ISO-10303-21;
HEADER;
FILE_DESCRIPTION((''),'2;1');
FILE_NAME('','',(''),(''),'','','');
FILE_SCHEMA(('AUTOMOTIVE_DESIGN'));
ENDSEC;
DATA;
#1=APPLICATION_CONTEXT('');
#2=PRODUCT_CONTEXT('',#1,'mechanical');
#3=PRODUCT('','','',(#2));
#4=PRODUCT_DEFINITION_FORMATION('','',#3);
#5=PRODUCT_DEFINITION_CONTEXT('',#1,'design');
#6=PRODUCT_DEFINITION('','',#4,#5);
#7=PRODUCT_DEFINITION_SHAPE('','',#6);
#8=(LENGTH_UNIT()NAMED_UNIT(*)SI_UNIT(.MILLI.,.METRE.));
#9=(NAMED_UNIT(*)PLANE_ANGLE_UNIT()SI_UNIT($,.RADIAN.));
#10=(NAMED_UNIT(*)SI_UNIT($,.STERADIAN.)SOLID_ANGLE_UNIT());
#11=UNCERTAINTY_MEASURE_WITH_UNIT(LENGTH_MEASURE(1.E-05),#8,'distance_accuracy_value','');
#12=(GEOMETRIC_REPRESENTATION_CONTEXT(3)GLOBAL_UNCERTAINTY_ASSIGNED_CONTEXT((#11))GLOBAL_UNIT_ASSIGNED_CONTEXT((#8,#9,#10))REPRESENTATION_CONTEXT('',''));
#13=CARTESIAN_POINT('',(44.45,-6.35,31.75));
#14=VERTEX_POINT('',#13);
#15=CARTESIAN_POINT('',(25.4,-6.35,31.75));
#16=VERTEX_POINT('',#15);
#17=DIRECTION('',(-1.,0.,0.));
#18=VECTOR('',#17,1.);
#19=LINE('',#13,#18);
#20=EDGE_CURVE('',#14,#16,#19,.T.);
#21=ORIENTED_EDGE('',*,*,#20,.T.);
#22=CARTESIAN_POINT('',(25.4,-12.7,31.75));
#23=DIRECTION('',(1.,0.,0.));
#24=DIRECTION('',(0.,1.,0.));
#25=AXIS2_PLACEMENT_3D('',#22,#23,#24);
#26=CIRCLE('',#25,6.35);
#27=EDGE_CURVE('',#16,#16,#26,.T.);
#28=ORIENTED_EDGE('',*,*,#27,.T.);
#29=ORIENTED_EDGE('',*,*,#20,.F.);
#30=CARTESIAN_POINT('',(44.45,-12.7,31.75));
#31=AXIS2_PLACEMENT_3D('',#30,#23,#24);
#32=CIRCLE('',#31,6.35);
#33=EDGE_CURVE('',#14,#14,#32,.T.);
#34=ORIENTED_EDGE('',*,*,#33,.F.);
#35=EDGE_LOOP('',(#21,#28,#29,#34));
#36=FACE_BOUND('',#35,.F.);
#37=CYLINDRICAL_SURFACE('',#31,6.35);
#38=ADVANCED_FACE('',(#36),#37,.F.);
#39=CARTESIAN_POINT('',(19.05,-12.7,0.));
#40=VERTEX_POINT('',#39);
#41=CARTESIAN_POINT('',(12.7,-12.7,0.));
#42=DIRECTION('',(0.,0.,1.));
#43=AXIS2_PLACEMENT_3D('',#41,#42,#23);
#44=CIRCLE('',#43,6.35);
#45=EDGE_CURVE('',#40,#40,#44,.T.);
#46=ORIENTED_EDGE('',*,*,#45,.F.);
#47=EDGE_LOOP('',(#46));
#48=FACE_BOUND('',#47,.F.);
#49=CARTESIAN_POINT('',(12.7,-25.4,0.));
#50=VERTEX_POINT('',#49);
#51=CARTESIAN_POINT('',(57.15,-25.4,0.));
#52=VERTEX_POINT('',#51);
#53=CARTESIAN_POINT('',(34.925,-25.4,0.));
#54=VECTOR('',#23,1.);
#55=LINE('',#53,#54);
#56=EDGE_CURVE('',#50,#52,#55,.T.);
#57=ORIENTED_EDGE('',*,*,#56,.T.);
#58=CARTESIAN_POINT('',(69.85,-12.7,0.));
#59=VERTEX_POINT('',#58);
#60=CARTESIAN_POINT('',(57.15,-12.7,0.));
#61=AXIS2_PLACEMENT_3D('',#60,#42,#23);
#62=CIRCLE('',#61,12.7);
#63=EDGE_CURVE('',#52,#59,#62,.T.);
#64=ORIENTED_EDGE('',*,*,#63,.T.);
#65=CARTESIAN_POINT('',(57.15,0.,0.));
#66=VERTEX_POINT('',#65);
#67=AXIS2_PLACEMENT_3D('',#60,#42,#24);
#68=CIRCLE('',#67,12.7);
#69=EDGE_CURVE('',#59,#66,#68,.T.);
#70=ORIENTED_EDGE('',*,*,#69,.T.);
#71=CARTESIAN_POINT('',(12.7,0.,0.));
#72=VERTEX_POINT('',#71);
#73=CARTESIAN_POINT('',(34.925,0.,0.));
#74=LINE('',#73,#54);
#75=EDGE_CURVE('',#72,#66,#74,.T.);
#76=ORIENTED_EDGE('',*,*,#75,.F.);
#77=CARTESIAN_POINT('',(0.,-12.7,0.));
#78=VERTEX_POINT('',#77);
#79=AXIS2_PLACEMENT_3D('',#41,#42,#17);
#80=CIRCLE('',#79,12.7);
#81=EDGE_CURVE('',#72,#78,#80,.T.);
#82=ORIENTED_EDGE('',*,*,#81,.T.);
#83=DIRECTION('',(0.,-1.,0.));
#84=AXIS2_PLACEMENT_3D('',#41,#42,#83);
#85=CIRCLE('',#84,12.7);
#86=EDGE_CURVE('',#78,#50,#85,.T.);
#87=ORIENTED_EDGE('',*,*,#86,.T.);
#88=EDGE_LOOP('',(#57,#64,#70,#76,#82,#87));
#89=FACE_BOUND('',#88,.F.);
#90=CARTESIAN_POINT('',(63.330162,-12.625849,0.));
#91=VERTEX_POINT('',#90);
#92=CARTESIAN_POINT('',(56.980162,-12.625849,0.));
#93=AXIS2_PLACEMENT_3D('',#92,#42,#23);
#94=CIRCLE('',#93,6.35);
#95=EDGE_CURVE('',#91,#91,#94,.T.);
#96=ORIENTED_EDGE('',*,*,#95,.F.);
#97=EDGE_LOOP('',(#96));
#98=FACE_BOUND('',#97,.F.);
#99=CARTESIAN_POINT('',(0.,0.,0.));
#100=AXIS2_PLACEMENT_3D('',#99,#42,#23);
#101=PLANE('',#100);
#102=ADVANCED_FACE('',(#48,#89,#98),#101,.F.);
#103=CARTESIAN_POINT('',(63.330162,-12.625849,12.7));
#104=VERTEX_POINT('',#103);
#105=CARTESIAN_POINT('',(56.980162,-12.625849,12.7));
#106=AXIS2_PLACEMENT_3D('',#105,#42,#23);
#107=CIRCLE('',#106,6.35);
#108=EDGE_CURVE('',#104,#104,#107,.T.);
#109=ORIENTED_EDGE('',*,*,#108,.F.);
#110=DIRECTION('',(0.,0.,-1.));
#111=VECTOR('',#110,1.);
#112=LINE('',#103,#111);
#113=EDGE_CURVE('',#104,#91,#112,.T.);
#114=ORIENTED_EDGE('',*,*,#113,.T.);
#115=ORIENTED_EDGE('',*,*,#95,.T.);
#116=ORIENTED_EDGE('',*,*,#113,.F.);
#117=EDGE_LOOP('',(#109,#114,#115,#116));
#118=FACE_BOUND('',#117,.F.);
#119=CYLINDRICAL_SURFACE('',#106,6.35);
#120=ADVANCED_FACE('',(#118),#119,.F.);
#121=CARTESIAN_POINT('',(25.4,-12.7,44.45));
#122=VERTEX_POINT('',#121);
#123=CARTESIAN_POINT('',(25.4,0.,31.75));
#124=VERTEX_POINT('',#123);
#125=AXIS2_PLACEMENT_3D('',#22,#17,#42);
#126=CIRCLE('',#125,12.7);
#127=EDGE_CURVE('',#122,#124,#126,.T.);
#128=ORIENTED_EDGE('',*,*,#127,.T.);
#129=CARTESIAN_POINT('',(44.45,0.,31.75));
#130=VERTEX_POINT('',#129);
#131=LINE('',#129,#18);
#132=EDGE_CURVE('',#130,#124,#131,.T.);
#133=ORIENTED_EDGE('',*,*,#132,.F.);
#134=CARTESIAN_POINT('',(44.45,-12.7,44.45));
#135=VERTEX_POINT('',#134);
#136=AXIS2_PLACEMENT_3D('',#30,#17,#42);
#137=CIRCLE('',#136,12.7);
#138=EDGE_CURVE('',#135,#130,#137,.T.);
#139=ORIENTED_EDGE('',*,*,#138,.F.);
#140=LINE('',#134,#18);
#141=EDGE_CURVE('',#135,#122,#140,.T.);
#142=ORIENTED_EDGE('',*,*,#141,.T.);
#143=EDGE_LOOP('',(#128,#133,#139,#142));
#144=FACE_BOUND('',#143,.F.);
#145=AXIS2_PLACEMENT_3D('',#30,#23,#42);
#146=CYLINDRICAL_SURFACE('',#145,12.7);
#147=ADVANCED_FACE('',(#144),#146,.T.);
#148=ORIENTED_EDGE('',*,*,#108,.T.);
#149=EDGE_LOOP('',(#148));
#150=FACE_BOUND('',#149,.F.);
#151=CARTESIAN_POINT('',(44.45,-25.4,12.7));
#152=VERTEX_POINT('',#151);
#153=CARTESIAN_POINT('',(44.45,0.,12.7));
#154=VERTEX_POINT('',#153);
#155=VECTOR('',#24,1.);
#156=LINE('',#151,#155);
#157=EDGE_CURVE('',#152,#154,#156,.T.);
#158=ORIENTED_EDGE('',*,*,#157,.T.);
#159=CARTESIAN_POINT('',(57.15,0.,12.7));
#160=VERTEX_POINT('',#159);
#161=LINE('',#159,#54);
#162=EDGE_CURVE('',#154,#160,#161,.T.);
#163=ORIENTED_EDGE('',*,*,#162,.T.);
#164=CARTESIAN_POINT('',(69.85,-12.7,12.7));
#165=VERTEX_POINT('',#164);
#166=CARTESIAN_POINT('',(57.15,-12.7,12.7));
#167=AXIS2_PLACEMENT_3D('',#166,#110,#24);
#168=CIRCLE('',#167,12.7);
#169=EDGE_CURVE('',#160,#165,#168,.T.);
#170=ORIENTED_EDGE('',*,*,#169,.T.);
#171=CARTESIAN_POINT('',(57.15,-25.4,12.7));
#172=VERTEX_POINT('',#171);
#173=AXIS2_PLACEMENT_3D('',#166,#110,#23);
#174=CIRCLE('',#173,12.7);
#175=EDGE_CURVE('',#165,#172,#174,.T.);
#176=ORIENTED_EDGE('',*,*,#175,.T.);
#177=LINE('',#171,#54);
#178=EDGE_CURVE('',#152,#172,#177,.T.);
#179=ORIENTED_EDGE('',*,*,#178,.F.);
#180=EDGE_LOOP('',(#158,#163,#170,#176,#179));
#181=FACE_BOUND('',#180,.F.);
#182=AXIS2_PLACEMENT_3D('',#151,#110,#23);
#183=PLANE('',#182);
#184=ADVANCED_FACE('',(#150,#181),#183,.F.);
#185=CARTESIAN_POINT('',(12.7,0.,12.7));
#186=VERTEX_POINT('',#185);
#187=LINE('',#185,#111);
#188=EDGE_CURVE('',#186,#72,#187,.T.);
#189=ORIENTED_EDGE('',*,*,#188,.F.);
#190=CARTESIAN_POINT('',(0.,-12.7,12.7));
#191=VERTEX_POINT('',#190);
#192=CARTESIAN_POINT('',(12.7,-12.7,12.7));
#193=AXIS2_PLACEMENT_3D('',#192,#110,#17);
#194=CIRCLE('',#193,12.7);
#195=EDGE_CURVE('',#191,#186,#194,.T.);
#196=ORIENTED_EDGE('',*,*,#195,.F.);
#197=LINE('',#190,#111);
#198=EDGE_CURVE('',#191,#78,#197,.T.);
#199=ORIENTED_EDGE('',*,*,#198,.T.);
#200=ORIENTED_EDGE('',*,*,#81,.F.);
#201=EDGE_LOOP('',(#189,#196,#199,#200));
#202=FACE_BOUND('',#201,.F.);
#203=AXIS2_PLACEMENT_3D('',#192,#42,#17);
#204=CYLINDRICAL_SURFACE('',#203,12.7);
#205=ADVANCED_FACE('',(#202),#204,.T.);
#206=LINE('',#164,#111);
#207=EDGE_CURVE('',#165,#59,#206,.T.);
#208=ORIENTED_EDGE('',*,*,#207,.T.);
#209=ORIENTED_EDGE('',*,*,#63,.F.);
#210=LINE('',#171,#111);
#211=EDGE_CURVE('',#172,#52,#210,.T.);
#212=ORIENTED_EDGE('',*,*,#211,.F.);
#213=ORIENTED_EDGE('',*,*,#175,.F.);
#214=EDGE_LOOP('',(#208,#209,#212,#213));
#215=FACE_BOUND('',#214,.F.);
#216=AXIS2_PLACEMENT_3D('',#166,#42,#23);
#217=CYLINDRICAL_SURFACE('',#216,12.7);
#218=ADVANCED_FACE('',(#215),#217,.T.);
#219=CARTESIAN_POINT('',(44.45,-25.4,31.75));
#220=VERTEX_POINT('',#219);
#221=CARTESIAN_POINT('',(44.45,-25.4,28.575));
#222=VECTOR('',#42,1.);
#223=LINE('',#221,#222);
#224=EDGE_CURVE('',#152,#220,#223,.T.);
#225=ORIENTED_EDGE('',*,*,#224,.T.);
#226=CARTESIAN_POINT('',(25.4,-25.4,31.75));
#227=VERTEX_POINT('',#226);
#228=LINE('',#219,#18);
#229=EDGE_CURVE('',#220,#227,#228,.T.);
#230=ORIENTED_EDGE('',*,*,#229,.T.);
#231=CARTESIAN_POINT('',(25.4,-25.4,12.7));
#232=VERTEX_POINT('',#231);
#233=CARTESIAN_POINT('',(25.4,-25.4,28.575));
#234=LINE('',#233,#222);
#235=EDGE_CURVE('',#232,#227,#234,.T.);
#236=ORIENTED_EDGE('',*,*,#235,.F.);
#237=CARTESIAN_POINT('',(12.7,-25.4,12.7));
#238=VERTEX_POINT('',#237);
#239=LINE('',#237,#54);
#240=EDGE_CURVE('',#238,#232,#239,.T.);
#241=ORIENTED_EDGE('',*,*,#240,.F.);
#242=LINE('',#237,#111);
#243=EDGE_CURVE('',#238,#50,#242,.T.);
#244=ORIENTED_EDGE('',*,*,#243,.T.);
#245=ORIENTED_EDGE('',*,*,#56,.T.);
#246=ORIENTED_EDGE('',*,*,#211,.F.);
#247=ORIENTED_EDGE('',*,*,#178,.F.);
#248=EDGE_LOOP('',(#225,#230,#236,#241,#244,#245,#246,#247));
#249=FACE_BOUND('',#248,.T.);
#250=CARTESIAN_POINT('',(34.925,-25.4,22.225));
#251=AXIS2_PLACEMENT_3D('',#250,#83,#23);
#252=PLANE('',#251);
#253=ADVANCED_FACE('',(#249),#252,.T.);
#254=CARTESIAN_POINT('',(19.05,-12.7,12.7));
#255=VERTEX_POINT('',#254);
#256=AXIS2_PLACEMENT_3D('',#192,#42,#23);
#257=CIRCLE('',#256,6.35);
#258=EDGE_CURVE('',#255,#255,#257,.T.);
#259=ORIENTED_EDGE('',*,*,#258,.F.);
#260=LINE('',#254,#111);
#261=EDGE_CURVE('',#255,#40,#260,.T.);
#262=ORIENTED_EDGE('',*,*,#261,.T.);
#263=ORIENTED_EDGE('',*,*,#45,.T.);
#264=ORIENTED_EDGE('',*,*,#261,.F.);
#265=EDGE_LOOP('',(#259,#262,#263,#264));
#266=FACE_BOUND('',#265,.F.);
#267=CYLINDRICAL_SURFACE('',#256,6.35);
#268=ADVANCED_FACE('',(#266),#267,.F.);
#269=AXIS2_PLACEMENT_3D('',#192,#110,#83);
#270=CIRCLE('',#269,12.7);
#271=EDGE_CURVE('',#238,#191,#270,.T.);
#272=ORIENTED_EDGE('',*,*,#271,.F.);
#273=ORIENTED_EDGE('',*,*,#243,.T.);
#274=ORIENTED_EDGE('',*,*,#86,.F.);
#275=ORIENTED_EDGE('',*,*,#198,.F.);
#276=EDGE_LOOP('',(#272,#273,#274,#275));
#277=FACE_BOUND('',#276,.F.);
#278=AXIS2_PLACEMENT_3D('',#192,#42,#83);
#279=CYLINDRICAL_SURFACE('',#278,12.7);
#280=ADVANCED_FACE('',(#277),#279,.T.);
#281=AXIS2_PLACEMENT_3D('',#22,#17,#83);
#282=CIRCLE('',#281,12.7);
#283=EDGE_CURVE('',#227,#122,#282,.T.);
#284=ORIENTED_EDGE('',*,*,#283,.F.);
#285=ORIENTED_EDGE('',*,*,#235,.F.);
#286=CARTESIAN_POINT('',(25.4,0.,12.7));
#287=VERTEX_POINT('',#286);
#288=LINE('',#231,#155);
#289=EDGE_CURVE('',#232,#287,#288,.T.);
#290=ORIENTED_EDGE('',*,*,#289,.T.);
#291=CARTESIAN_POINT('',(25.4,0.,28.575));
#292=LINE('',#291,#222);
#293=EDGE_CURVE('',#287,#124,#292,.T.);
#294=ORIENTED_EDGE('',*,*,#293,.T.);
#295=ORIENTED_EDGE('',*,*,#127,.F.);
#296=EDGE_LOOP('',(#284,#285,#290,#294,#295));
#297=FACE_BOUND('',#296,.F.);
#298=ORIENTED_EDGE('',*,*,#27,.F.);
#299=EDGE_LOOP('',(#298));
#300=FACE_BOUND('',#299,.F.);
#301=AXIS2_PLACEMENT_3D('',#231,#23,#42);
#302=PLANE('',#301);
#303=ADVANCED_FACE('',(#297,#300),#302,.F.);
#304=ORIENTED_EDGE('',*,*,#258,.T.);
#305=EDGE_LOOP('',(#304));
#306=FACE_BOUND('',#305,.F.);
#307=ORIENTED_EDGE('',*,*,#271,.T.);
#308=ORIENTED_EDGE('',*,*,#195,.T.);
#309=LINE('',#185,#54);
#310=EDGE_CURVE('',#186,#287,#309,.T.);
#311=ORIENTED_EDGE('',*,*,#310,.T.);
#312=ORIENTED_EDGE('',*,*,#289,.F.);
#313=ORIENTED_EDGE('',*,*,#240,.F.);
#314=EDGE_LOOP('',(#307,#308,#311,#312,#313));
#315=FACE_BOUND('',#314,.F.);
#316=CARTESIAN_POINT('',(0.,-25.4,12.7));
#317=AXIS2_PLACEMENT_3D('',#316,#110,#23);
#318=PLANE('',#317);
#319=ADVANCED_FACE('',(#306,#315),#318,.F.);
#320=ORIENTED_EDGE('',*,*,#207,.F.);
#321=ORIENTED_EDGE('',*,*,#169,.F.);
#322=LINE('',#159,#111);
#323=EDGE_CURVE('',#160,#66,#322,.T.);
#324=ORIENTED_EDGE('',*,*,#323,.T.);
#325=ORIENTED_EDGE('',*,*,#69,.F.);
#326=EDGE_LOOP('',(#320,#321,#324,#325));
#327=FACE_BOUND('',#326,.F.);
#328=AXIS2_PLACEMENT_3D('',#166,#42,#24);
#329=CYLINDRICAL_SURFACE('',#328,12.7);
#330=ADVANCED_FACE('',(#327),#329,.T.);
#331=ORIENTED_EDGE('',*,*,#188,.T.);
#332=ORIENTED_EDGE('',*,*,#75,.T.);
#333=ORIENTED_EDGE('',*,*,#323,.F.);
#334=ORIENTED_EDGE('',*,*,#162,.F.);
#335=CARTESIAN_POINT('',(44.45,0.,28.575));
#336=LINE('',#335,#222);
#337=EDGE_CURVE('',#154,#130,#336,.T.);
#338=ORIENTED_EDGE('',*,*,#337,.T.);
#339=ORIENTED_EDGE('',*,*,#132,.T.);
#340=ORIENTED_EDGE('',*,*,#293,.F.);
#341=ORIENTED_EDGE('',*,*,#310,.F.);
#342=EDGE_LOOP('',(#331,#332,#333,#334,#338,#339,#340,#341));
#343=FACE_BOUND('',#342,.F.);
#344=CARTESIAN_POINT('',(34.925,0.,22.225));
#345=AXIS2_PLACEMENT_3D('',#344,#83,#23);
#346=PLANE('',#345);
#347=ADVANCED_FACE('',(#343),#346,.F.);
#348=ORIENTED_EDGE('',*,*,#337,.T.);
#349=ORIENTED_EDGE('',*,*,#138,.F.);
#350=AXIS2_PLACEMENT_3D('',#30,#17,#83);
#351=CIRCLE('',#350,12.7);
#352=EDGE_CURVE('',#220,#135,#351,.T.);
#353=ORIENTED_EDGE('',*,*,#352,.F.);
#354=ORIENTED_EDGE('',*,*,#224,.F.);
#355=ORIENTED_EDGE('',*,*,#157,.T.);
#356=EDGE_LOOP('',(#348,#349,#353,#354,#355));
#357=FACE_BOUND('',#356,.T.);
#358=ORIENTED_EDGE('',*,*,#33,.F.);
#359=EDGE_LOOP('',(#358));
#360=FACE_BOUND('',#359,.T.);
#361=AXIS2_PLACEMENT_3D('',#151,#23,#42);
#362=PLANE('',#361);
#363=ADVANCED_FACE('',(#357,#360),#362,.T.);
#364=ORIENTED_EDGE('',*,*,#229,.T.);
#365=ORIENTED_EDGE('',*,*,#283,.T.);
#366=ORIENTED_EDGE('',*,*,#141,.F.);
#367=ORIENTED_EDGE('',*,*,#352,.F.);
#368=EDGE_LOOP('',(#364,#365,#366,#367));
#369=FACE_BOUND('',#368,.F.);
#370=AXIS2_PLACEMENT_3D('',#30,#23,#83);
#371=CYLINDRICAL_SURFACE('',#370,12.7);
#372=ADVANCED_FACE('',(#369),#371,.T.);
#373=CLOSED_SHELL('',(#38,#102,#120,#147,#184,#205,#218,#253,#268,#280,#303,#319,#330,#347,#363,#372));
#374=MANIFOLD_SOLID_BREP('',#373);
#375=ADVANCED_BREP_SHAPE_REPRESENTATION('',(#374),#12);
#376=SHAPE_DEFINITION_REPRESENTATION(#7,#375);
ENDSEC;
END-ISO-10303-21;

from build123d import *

# Parameters (mm, degrees)
F0_W     = 69.85
F0_H     = 44.45
F1_DEPTH = 25.4
F2_W     = 25.4
F2_H     = 31.75
F3_DEPTH = 25.4
F4_R     = 6.35
F5_DEPTH = 19.05
F6_R     = 6.35
F7_DEPTH = 25.4
F9_DEPTH = 25.4


with BuildPart() as f1:
    # F0 (on Front) → F1 (new body)
    with BuildSketch(Plane.XZ):
        with Locations((34.925, 22.225)):
            Rectangle(F0_W, F0_H)
    extrude(amount=F1_DEPTH)

    # F2 (on face) → F3 (cut)
    with BuildSketch(Plane.XZ.offset(25.4)):
        with Locations((12.7, 28.575)):
            Rectangle(F2_W, F2_H)
        with Locations((57.15, 28.575)):
            Rectangle(F2_W, F2_H)
    extrude(amount=-F3_DEPTH, mode=Mode.SUBTRACT)

    # F4 (on face) → F5 (cut)
    with BuildSketch(Plane.YZ.offset(44.45)):
        with BuildLine():
            ThreePointArc((-25.4, 31.75), (-21.6802561211, 40.7302561211), (-12.7, 44.45))
            Line((-12.7, 44.45), (-25.4, 44.45))
            Line((-25.4, 44.45), (-25.4, 31.75))
        make_face()
        with BuildLine():
            ThreePointArc((-12.7, 44.45), (-3.7197438789, 40.7302561211), (0, 31.75))
            Line((0, 31.75), (0, 44.45))
            Line((0, 44.45), (-12.7, 44.45))
        make_face()
        with Locations((-12.7, 31.75)):
            Circle(F4_R)
    extrude(amount=-F5_DEPTH, mode=Mode.SUBTRACT)

    # F6 (on face) → F7 (cut)
    with BuildSketch(Plane.XY.offset(12.7)):
        with BuildLine():
            ThreePointArc((12.7, -25.4), (3.7197438789, -21.6802561211), (0, -12.7))
            Line((0, -12.7), (0, -25.4))
            Line((0, -25.4), (12.7, -25.4))
        make_face()
        with BuildLine():
            ThreePointArc((0, -12.7), (3.7197438789, -3.7197438789), (12.7, 0))
            Line((12.7, 0), (0, 0))
            Line((0, 0), (0, -12.7))
        make_face()
        with Locations((56.9801622552, -12.6258491292)):
            Circle(F6_R)
        with Locations((12.7, -12.7)):
            Circle(F6_R)
    extrude(amount=-F7_DEPTH, mode=Mode.SUBTRACT)

    # F8 (on face) → F9 (cut)
    with BuildSketch(Plane.XY.offset(12.7)):
        with BuildLine():
            ThreePointArc((57.15, 0), (66.1302561211, -3.7197438789), (69.85, -12.7))
            Line((69.85, -12.7), (69.85, 0))
            Line((69.85, 0), (57.15, 0))
        make_face()
        with BuildLine():
            ThreePointArc((69.85, -12.7), (66.1302561211, -21.6802561211), (57.15, -25.4))
            Line((57.15, -25.4), (69.85, -25.4))
            Line((69.85, -25.4), (69.85, -12.7))
        make_face()
    extrude(amount=-F9_DEPTH, mode=Mode.SUBTRACT)


solid = f1.part
